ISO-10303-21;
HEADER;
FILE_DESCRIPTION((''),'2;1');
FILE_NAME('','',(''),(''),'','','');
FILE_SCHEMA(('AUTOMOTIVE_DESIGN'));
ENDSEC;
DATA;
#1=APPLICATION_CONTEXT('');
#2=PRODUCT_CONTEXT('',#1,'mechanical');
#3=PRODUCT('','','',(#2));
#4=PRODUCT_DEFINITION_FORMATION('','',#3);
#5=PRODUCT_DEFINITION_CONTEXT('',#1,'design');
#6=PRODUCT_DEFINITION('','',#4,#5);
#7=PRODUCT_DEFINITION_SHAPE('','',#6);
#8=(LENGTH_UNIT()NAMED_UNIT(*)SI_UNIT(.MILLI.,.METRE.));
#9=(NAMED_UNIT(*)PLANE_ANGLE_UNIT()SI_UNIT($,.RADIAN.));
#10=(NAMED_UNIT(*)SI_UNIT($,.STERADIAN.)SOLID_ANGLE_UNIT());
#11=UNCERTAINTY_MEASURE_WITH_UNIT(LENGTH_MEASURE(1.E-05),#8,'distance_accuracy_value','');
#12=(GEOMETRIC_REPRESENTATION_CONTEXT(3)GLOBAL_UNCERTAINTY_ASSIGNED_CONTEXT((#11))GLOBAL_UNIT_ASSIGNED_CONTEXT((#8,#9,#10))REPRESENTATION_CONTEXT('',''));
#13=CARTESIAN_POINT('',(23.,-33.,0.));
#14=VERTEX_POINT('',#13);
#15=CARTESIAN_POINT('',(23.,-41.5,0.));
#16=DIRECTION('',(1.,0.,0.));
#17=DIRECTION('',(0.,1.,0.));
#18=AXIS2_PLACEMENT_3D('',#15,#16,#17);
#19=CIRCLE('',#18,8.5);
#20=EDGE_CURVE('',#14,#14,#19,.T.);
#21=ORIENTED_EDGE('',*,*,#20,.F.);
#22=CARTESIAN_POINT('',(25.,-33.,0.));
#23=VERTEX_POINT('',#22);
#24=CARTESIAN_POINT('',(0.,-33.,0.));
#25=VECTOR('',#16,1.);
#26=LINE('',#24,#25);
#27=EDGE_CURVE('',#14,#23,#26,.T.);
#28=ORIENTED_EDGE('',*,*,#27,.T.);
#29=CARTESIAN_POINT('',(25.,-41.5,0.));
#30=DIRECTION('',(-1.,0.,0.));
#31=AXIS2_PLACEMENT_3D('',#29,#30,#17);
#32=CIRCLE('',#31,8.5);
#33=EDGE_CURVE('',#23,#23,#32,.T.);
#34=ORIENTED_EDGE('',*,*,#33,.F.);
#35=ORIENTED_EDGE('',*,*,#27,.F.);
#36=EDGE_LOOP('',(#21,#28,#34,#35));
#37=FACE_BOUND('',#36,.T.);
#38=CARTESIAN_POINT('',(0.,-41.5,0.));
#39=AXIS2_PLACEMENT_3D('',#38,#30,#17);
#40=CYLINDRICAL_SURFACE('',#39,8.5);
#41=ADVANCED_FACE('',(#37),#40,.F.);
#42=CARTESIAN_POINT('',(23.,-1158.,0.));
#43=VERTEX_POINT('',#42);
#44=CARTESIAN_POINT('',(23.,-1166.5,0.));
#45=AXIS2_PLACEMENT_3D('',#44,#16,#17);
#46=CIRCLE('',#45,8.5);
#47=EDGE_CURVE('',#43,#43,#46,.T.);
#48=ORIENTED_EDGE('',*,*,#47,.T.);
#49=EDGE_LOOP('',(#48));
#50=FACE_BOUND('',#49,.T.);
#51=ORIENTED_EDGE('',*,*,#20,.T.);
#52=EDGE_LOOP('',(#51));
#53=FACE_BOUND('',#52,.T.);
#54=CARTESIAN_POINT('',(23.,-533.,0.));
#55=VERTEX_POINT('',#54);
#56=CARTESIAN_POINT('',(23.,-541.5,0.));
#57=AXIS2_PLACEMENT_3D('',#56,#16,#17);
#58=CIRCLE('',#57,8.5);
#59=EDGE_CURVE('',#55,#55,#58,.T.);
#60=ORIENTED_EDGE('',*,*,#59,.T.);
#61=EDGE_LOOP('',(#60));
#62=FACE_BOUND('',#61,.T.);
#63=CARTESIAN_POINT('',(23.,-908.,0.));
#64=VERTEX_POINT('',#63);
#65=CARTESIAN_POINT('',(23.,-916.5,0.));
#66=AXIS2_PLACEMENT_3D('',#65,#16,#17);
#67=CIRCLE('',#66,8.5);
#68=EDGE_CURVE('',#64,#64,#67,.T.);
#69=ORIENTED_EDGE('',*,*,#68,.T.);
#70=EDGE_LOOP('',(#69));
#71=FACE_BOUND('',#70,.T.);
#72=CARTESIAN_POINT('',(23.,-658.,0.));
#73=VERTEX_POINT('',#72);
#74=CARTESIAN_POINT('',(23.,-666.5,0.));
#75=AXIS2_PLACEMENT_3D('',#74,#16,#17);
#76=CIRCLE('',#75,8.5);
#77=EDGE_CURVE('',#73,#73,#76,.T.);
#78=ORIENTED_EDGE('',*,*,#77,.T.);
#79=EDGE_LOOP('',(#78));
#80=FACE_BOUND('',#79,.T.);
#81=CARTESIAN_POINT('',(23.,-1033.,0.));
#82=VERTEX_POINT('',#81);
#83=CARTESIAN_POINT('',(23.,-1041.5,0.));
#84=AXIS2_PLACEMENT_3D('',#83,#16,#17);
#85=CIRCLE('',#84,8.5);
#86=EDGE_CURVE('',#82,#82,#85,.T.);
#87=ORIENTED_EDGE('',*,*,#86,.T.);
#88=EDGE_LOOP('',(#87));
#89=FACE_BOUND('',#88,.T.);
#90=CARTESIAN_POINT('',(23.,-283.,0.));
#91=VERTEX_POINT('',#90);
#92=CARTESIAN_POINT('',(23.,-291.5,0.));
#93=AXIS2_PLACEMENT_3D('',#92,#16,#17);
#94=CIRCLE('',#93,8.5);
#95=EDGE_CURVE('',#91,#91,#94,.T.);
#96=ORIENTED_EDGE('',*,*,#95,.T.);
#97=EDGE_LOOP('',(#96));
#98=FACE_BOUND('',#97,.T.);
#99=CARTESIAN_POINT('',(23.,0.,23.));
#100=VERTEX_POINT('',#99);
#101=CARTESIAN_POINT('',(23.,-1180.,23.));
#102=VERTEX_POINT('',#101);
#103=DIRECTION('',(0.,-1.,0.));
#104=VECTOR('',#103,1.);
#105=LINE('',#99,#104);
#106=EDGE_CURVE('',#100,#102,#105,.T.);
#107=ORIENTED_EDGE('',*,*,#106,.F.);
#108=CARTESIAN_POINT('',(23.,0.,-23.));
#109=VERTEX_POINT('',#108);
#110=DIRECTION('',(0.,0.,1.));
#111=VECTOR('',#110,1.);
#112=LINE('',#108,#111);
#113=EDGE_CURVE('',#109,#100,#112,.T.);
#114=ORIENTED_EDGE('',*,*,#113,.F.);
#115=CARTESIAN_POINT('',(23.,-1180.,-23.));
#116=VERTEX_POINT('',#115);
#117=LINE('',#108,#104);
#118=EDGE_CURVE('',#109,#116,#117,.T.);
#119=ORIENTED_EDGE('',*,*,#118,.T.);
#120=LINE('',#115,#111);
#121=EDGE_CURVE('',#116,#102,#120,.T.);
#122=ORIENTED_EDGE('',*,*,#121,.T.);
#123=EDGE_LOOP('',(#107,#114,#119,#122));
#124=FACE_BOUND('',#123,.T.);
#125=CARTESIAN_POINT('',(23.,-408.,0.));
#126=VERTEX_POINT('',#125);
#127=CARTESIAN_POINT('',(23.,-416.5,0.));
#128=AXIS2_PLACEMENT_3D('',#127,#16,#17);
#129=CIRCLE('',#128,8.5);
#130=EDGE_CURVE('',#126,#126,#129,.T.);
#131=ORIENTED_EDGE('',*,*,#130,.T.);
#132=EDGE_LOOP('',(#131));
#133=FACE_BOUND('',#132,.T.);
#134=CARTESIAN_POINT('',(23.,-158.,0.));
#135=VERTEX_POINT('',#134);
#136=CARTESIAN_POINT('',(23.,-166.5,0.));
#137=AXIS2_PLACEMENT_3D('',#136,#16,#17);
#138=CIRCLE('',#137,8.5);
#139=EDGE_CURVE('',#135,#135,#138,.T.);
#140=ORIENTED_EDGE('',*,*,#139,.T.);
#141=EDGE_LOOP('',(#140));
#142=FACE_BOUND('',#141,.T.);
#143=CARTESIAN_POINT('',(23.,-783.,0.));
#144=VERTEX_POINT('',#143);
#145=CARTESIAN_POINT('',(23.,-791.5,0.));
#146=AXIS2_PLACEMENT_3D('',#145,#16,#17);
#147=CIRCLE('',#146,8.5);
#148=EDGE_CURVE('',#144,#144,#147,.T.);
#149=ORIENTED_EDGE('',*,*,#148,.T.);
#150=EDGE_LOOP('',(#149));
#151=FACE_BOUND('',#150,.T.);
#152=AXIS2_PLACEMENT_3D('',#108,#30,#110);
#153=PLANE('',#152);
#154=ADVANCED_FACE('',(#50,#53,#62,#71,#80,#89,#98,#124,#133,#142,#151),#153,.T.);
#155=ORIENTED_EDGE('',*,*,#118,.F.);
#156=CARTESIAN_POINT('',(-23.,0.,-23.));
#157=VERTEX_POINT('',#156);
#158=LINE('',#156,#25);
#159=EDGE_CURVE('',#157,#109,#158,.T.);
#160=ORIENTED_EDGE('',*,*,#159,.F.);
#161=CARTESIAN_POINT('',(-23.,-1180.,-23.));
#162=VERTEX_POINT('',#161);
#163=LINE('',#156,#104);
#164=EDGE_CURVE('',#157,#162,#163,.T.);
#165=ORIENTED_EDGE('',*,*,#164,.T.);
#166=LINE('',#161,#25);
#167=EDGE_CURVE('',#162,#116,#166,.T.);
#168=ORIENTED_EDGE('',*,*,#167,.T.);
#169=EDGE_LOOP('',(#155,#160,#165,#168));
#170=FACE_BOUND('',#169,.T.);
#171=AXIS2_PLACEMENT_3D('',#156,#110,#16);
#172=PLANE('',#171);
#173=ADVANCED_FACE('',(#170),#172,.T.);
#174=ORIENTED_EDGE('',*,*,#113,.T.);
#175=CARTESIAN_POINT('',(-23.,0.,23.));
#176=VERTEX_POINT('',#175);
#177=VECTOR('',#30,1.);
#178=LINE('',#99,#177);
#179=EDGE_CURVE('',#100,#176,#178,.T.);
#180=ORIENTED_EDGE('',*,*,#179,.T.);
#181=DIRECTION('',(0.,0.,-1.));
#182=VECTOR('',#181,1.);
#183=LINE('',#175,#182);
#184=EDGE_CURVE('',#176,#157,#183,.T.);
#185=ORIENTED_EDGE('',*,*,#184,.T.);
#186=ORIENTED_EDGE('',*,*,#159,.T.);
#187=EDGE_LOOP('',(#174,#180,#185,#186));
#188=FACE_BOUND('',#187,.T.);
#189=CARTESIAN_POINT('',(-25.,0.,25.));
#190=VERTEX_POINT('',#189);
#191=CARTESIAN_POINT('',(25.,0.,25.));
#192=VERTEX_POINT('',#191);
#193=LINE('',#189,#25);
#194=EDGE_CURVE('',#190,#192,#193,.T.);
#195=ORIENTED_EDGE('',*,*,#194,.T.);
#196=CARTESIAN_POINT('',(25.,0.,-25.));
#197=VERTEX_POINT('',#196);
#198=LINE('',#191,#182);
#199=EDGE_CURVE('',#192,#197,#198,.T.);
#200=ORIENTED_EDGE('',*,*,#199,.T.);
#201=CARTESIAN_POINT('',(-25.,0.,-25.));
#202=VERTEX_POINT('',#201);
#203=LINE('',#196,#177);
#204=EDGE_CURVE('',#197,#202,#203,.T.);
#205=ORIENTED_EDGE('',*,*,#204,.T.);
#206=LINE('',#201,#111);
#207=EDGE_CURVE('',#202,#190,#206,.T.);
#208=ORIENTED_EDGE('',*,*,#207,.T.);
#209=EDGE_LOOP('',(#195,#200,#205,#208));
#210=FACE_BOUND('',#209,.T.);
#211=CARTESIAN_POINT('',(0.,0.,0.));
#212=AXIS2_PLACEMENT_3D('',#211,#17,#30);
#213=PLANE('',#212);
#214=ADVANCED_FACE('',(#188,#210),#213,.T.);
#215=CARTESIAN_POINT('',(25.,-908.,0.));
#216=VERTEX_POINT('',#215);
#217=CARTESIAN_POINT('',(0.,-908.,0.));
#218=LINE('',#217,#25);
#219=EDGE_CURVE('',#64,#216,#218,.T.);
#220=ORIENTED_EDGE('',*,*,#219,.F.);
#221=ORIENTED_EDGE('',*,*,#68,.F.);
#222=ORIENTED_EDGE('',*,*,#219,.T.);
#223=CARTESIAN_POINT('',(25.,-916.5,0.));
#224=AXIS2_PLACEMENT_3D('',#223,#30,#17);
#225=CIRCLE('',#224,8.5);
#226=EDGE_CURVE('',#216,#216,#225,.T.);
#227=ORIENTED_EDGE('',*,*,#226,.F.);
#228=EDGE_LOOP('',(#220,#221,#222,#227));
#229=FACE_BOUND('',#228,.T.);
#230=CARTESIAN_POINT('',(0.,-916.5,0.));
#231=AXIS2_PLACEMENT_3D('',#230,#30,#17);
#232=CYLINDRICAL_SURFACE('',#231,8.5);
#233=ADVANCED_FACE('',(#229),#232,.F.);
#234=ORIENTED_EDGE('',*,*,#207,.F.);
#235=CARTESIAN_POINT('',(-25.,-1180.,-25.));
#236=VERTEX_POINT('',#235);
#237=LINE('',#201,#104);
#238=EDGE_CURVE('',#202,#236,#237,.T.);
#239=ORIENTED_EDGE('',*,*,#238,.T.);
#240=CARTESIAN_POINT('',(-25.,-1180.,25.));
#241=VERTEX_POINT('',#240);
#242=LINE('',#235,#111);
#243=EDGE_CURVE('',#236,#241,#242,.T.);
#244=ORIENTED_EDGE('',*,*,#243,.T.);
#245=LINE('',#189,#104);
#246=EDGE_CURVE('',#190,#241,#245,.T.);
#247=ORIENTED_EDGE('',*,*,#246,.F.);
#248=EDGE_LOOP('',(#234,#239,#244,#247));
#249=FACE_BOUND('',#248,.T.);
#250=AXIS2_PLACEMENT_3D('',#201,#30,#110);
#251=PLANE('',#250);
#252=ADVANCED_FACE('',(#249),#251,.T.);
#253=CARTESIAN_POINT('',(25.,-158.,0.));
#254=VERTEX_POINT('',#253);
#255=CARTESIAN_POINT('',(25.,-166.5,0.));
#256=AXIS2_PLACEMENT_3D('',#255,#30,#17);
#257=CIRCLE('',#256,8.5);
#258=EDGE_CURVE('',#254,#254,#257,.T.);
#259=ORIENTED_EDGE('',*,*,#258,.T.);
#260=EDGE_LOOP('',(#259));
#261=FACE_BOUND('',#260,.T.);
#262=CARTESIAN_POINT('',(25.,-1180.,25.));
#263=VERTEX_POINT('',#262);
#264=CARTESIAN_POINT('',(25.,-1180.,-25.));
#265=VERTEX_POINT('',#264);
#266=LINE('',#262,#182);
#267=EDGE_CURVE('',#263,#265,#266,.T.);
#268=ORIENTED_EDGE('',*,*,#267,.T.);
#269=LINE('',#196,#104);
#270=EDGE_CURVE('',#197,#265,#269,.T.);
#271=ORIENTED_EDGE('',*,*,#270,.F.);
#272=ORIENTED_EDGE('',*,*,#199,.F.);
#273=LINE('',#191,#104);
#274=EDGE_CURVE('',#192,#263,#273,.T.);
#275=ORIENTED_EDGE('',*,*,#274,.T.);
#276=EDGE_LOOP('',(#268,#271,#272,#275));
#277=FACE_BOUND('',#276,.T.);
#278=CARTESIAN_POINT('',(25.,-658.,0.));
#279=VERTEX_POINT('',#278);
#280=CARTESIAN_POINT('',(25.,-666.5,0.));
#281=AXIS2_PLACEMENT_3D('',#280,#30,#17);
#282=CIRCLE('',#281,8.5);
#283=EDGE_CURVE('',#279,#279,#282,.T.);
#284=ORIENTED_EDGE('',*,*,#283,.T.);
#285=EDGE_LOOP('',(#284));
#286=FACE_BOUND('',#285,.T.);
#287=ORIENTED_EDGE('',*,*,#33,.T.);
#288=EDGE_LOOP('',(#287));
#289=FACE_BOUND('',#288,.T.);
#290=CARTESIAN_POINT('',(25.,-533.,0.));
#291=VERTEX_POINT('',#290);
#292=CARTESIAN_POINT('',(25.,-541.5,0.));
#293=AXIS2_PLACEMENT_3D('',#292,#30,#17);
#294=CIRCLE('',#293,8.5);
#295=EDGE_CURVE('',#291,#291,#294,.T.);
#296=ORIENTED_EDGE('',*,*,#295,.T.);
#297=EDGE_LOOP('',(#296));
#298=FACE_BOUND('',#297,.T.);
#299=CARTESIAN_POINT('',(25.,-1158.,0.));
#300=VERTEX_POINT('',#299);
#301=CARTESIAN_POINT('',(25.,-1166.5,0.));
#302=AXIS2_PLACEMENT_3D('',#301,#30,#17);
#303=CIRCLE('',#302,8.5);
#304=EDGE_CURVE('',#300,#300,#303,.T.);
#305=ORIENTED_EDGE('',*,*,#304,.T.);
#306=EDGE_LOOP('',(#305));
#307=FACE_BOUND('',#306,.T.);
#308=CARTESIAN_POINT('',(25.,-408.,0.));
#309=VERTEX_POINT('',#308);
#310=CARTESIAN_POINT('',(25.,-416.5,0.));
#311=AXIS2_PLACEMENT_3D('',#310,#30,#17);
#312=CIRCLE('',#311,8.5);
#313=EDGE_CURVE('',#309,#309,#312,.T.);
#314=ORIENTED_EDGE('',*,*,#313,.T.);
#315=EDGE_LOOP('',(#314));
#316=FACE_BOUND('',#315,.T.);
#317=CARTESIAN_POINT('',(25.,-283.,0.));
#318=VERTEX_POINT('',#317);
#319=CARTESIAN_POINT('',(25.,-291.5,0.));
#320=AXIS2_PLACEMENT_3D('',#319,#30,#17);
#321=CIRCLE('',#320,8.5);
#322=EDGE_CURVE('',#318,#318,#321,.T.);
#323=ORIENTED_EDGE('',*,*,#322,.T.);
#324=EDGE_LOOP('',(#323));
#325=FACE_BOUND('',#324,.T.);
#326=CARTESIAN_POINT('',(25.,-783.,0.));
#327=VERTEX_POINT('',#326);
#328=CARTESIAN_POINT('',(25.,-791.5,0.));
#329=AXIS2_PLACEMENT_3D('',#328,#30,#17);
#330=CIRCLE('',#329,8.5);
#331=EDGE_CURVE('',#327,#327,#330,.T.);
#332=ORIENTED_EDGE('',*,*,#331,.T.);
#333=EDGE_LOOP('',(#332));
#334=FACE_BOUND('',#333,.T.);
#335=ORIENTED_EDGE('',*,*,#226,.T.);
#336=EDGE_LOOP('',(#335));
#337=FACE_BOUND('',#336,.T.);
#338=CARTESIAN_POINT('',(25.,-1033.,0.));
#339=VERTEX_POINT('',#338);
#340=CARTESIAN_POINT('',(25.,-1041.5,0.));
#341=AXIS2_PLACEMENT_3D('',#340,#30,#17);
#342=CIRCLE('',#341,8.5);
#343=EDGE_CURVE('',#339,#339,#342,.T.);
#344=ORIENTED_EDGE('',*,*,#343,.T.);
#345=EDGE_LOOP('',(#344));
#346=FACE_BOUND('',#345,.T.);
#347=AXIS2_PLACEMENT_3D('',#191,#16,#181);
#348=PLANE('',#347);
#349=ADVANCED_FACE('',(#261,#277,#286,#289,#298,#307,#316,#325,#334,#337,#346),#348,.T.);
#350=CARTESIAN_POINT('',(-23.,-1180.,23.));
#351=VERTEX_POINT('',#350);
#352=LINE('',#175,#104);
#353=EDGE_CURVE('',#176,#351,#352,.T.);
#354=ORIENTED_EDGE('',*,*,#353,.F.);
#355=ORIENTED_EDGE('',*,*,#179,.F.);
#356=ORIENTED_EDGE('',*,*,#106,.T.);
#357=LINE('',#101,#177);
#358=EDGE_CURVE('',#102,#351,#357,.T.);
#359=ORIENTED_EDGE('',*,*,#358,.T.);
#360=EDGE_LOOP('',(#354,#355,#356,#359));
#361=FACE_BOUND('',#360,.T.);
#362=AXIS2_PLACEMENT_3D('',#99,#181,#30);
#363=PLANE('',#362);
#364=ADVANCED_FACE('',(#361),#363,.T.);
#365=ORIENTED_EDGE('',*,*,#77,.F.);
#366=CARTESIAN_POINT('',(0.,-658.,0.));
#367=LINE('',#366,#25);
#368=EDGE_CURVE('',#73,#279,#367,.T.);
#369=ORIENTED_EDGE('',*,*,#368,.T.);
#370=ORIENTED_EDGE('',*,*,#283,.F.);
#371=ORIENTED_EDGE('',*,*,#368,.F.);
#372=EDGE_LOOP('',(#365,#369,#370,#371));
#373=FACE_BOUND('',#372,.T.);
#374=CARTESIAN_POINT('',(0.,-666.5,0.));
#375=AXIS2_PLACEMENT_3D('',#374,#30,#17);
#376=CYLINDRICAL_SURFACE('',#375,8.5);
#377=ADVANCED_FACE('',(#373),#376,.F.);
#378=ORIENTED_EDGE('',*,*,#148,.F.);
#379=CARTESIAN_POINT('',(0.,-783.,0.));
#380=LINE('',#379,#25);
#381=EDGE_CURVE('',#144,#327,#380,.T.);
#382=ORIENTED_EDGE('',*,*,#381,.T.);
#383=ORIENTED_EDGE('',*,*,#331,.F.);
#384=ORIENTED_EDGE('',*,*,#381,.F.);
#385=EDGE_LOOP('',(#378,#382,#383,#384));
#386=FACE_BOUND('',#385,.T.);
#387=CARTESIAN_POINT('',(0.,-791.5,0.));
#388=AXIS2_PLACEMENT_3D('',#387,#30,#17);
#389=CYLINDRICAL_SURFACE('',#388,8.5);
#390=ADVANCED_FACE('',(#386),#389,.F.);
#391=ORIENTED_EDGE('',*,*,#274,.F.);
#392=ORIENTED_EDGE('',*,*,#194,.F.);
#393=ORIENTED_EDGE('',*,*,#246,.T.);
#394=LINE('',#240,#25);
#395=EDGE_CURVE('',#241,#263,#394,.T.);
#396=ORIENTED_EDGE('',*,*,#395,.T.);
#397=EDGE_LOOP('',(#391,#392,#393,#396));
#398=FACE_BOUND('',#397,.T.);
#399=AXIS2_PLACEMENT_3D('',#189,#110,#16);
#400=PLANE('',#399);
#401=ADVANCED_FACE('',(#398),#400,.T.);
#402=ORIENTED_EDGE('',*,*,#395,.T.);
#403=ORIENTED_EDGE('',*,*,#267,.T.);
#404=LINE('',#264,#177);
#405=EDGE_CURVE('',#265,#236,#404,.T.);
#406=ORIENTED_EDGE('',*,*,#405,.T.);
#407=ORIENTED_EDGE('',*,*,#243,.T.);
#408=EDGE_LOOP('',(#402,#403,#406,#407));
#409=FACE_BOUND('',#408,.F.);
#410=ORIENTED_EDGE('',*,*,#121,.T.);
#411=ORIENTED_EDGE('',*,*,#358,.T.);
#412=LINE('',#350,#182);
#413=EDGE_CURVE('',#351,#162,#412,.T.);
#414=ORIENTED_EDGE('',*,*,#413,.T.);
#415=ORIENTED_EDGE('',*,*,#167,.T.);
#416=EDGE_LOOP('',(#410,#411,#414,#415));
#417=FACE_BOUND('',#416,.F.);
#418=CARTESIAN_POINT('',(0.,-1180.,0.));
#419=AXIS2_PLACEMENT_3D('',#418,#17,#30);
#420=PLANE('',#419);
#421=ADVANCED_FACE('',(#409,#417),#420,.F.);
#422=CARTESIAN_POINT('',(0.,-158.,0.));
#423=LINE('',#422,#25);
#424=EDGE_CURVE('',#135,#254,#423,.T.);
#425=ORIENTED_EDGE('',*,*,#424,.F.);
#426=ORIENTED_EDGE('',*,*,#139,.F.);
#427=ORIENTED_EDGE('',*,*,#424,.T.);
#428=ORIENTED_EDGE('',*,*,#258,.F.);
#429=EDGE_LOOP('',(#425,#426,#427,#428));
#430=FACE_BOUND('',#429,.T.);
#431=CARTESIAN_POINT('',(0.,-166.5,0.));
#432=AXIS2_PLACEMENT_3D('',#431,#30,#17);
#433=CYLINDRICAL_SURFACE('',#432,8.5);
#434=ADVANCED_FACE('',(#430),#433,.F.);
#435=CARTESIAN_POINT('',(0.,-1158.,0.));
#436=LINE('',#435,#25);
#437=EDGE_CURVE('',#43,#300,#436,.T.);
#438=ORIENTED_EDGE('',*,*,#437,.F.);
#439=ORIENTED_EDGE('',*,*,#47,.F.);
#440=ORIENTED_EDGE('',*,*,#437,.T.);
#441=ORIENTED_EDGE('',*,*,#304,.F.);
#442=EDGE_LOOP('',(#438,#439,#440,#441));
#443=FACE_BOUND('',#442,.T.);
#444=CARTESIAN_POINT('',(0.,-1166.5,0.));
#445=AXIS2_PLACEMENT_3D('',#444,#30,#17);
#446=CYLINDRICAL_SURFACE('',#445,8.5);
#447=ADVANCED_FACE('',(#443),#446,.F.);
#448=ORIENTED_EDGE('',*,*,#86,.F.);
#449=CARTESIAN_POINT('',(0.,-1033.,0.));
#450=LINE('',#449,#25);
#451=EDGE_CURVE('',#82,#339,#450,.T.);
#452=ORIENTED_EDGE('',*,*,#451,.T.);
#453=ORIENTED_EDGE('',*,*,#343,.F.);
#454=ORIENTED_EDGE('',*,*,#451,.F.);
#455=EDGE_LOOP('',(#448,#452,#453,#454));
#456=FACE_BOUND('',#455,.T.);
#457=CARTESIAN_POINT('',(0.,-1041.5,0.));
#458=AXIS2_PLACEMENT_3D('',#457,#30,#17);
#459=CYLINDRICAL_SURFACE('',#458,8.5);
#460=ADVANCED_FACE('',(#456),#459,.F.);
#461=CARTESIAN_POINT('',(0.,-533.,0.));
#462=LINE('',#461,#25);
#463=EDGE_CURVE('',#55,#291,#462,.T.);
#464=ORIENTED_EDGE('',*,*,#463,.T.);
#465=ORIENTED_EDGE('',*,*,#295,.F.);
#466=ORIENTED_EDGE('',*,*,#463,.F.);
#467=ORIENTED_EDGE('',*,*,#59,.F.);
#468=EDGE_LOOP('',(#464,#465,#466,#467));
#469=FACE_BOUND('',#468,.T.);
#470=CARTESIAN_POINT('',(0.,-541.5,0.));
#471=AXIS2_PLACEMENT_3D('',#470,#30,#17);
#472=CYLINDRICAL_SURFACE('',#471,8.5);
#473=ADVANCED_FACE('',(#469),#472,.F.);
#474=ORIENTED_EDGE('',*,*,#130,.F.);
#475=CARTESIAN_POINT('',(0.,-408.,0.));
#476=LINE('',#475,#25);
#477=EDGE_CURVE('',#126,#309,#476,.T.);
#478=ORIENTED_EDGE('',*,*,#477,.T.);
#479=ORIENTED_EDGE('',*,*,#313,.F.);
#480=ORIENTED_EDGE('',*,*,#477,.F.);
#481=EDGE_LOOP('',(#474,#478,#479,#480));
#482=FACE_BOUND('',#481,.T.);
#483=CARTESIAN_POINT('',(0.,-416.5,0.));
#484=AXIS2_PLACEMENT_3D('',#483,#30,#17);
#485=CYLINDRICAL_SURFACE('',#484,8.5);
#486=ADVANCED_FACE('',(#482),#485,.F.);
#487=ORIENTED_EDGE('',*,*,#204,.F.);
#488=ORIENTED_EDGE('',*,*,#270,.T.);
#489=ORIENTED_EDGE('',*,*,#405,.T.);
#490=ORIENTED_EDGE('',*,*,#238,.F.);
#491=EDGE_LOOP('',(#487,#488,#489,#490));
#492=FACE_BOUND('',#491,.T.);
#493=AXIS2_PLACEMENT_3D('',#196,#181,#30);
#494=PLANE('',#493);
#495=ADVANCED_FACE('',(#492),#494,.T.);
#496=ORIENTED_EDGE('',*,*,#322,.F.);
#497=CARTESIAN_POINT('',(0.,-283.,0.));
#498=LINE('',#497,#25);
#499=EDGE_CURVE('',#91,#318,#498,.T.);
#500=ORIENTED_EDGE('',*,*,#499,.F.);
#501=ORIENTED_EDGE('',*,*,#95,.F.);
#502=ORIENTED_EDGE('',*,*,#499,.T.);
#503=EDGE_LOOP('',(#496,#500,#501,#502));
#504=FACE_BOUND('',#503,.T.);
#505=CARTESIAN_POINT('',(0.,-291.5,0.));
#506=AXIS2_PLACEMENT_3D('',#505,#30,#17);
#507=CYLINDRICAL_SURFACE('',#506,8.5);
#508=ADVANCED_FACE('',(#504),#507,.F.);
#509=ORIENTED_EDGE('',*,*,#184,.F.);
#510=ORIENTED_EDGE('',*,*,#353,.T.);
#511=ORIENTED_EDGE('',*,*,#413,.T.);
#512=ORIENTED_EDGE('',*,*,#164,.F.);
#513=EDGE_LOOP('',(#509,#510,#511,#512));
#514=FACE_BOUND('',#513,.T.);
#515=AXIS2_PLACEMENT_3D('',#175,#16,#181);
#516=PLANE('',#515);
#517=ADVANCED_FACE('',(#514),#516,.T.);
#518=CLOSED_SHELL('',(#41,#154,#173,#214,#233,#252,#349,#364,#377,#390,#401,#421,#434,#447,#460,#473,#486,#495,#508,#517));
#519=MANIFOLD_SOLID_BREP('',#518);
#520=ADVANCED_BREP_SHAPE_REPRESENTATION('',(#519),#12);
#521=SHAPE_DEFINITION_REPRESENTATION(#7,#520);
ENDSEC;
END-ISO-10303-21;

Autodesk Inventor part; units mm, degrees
ref_plane "YZ Plane" through (0, 0, 0) normal (1, 0, 0) x (0, 1, 0)
ref_plane "XZ Plane" through (0, 0, 0) normal (0, 1, 0) x (-1, 0, 0)
ref_plane "XY Plane" through (0, 0, 0) normal (0, 0, 1) x (1, 0, 0)
sketch "Sketch9" plane through (0, 0, 0) normal (0, 1, 0) x (-1, 0, 0)
  line L0 (25, 25) -> (-25, 25)
  line L1 (-25, 25) -> (-25, -25)
  line L2 (-25, -25) -> (25, -25)
  line L3 (25, -25) -> (25, 25)
  line L4 (25, 25) -> (-25, -25) construction
  line L5 (-25, 25) -> (25, -25) construction
  line L6 (-23, 23) -> (23, 23)
  line L7 (23, 23) -> (23, -23)
  line L8 (23, -23) -> (-23, -23)
  line L9 (-23, -23) -> (-23, 23)
  point P0 (0, 0)
  dimension "d172" = 50
  dimension "d173" = 50
  dimension "d174" = 2
extrude "Extrusion3" add sketch "Sketch9" against normal blind 1180
sketch "Sketch10" plane through (0, 0, 0) normal (1, 0, 0) x (0, 1, 0)
  line L0 (0, 25) -> (0, -25) construction
  line L1 (0, 25) -> (-1180, 25) construction
  line L2 (-1180, -25) -> (-1180, 25) construction
  line L3 (0, -25) -> (-1180, -25) construction
  line L4 (-1175, 8.5) -> (-1158, 8.5)
  line L5 (-1158, 8.5) -> (-1158, -8.5)
  line L6 (-1158, -8.5) -> (-1175, -8.5)
  line L7 (-1175, -8.5) -> (-1175, 8.5)
  line L8 (-1175, 8.5) -> (-1158, -8.5) construction
  line L9 (-1158, 8.5) -> (-1175, -8.5) construction
  circle A0 centre (-1166.5, 0) radius 8.5
  line L10 (0, 25) -> (0, -25) projected
  point P0 (0, 0)
  point P1 (0, 0)
  point P2 (-1180, 0)
  dimension "d177" = 17
  dimension "d178" = 17
  dimension "d191" = 5
extrude "Extrusion4" cut sketch "Sketch10" along normal through all contours A0
pattern_linear "Rectangular Pattern4" count 10 spacing 125 along (0, 1, 0) of "Extrusion4"
properties part number "TKS 3533 FDS WAY tube3" material "Stainless Steel"
